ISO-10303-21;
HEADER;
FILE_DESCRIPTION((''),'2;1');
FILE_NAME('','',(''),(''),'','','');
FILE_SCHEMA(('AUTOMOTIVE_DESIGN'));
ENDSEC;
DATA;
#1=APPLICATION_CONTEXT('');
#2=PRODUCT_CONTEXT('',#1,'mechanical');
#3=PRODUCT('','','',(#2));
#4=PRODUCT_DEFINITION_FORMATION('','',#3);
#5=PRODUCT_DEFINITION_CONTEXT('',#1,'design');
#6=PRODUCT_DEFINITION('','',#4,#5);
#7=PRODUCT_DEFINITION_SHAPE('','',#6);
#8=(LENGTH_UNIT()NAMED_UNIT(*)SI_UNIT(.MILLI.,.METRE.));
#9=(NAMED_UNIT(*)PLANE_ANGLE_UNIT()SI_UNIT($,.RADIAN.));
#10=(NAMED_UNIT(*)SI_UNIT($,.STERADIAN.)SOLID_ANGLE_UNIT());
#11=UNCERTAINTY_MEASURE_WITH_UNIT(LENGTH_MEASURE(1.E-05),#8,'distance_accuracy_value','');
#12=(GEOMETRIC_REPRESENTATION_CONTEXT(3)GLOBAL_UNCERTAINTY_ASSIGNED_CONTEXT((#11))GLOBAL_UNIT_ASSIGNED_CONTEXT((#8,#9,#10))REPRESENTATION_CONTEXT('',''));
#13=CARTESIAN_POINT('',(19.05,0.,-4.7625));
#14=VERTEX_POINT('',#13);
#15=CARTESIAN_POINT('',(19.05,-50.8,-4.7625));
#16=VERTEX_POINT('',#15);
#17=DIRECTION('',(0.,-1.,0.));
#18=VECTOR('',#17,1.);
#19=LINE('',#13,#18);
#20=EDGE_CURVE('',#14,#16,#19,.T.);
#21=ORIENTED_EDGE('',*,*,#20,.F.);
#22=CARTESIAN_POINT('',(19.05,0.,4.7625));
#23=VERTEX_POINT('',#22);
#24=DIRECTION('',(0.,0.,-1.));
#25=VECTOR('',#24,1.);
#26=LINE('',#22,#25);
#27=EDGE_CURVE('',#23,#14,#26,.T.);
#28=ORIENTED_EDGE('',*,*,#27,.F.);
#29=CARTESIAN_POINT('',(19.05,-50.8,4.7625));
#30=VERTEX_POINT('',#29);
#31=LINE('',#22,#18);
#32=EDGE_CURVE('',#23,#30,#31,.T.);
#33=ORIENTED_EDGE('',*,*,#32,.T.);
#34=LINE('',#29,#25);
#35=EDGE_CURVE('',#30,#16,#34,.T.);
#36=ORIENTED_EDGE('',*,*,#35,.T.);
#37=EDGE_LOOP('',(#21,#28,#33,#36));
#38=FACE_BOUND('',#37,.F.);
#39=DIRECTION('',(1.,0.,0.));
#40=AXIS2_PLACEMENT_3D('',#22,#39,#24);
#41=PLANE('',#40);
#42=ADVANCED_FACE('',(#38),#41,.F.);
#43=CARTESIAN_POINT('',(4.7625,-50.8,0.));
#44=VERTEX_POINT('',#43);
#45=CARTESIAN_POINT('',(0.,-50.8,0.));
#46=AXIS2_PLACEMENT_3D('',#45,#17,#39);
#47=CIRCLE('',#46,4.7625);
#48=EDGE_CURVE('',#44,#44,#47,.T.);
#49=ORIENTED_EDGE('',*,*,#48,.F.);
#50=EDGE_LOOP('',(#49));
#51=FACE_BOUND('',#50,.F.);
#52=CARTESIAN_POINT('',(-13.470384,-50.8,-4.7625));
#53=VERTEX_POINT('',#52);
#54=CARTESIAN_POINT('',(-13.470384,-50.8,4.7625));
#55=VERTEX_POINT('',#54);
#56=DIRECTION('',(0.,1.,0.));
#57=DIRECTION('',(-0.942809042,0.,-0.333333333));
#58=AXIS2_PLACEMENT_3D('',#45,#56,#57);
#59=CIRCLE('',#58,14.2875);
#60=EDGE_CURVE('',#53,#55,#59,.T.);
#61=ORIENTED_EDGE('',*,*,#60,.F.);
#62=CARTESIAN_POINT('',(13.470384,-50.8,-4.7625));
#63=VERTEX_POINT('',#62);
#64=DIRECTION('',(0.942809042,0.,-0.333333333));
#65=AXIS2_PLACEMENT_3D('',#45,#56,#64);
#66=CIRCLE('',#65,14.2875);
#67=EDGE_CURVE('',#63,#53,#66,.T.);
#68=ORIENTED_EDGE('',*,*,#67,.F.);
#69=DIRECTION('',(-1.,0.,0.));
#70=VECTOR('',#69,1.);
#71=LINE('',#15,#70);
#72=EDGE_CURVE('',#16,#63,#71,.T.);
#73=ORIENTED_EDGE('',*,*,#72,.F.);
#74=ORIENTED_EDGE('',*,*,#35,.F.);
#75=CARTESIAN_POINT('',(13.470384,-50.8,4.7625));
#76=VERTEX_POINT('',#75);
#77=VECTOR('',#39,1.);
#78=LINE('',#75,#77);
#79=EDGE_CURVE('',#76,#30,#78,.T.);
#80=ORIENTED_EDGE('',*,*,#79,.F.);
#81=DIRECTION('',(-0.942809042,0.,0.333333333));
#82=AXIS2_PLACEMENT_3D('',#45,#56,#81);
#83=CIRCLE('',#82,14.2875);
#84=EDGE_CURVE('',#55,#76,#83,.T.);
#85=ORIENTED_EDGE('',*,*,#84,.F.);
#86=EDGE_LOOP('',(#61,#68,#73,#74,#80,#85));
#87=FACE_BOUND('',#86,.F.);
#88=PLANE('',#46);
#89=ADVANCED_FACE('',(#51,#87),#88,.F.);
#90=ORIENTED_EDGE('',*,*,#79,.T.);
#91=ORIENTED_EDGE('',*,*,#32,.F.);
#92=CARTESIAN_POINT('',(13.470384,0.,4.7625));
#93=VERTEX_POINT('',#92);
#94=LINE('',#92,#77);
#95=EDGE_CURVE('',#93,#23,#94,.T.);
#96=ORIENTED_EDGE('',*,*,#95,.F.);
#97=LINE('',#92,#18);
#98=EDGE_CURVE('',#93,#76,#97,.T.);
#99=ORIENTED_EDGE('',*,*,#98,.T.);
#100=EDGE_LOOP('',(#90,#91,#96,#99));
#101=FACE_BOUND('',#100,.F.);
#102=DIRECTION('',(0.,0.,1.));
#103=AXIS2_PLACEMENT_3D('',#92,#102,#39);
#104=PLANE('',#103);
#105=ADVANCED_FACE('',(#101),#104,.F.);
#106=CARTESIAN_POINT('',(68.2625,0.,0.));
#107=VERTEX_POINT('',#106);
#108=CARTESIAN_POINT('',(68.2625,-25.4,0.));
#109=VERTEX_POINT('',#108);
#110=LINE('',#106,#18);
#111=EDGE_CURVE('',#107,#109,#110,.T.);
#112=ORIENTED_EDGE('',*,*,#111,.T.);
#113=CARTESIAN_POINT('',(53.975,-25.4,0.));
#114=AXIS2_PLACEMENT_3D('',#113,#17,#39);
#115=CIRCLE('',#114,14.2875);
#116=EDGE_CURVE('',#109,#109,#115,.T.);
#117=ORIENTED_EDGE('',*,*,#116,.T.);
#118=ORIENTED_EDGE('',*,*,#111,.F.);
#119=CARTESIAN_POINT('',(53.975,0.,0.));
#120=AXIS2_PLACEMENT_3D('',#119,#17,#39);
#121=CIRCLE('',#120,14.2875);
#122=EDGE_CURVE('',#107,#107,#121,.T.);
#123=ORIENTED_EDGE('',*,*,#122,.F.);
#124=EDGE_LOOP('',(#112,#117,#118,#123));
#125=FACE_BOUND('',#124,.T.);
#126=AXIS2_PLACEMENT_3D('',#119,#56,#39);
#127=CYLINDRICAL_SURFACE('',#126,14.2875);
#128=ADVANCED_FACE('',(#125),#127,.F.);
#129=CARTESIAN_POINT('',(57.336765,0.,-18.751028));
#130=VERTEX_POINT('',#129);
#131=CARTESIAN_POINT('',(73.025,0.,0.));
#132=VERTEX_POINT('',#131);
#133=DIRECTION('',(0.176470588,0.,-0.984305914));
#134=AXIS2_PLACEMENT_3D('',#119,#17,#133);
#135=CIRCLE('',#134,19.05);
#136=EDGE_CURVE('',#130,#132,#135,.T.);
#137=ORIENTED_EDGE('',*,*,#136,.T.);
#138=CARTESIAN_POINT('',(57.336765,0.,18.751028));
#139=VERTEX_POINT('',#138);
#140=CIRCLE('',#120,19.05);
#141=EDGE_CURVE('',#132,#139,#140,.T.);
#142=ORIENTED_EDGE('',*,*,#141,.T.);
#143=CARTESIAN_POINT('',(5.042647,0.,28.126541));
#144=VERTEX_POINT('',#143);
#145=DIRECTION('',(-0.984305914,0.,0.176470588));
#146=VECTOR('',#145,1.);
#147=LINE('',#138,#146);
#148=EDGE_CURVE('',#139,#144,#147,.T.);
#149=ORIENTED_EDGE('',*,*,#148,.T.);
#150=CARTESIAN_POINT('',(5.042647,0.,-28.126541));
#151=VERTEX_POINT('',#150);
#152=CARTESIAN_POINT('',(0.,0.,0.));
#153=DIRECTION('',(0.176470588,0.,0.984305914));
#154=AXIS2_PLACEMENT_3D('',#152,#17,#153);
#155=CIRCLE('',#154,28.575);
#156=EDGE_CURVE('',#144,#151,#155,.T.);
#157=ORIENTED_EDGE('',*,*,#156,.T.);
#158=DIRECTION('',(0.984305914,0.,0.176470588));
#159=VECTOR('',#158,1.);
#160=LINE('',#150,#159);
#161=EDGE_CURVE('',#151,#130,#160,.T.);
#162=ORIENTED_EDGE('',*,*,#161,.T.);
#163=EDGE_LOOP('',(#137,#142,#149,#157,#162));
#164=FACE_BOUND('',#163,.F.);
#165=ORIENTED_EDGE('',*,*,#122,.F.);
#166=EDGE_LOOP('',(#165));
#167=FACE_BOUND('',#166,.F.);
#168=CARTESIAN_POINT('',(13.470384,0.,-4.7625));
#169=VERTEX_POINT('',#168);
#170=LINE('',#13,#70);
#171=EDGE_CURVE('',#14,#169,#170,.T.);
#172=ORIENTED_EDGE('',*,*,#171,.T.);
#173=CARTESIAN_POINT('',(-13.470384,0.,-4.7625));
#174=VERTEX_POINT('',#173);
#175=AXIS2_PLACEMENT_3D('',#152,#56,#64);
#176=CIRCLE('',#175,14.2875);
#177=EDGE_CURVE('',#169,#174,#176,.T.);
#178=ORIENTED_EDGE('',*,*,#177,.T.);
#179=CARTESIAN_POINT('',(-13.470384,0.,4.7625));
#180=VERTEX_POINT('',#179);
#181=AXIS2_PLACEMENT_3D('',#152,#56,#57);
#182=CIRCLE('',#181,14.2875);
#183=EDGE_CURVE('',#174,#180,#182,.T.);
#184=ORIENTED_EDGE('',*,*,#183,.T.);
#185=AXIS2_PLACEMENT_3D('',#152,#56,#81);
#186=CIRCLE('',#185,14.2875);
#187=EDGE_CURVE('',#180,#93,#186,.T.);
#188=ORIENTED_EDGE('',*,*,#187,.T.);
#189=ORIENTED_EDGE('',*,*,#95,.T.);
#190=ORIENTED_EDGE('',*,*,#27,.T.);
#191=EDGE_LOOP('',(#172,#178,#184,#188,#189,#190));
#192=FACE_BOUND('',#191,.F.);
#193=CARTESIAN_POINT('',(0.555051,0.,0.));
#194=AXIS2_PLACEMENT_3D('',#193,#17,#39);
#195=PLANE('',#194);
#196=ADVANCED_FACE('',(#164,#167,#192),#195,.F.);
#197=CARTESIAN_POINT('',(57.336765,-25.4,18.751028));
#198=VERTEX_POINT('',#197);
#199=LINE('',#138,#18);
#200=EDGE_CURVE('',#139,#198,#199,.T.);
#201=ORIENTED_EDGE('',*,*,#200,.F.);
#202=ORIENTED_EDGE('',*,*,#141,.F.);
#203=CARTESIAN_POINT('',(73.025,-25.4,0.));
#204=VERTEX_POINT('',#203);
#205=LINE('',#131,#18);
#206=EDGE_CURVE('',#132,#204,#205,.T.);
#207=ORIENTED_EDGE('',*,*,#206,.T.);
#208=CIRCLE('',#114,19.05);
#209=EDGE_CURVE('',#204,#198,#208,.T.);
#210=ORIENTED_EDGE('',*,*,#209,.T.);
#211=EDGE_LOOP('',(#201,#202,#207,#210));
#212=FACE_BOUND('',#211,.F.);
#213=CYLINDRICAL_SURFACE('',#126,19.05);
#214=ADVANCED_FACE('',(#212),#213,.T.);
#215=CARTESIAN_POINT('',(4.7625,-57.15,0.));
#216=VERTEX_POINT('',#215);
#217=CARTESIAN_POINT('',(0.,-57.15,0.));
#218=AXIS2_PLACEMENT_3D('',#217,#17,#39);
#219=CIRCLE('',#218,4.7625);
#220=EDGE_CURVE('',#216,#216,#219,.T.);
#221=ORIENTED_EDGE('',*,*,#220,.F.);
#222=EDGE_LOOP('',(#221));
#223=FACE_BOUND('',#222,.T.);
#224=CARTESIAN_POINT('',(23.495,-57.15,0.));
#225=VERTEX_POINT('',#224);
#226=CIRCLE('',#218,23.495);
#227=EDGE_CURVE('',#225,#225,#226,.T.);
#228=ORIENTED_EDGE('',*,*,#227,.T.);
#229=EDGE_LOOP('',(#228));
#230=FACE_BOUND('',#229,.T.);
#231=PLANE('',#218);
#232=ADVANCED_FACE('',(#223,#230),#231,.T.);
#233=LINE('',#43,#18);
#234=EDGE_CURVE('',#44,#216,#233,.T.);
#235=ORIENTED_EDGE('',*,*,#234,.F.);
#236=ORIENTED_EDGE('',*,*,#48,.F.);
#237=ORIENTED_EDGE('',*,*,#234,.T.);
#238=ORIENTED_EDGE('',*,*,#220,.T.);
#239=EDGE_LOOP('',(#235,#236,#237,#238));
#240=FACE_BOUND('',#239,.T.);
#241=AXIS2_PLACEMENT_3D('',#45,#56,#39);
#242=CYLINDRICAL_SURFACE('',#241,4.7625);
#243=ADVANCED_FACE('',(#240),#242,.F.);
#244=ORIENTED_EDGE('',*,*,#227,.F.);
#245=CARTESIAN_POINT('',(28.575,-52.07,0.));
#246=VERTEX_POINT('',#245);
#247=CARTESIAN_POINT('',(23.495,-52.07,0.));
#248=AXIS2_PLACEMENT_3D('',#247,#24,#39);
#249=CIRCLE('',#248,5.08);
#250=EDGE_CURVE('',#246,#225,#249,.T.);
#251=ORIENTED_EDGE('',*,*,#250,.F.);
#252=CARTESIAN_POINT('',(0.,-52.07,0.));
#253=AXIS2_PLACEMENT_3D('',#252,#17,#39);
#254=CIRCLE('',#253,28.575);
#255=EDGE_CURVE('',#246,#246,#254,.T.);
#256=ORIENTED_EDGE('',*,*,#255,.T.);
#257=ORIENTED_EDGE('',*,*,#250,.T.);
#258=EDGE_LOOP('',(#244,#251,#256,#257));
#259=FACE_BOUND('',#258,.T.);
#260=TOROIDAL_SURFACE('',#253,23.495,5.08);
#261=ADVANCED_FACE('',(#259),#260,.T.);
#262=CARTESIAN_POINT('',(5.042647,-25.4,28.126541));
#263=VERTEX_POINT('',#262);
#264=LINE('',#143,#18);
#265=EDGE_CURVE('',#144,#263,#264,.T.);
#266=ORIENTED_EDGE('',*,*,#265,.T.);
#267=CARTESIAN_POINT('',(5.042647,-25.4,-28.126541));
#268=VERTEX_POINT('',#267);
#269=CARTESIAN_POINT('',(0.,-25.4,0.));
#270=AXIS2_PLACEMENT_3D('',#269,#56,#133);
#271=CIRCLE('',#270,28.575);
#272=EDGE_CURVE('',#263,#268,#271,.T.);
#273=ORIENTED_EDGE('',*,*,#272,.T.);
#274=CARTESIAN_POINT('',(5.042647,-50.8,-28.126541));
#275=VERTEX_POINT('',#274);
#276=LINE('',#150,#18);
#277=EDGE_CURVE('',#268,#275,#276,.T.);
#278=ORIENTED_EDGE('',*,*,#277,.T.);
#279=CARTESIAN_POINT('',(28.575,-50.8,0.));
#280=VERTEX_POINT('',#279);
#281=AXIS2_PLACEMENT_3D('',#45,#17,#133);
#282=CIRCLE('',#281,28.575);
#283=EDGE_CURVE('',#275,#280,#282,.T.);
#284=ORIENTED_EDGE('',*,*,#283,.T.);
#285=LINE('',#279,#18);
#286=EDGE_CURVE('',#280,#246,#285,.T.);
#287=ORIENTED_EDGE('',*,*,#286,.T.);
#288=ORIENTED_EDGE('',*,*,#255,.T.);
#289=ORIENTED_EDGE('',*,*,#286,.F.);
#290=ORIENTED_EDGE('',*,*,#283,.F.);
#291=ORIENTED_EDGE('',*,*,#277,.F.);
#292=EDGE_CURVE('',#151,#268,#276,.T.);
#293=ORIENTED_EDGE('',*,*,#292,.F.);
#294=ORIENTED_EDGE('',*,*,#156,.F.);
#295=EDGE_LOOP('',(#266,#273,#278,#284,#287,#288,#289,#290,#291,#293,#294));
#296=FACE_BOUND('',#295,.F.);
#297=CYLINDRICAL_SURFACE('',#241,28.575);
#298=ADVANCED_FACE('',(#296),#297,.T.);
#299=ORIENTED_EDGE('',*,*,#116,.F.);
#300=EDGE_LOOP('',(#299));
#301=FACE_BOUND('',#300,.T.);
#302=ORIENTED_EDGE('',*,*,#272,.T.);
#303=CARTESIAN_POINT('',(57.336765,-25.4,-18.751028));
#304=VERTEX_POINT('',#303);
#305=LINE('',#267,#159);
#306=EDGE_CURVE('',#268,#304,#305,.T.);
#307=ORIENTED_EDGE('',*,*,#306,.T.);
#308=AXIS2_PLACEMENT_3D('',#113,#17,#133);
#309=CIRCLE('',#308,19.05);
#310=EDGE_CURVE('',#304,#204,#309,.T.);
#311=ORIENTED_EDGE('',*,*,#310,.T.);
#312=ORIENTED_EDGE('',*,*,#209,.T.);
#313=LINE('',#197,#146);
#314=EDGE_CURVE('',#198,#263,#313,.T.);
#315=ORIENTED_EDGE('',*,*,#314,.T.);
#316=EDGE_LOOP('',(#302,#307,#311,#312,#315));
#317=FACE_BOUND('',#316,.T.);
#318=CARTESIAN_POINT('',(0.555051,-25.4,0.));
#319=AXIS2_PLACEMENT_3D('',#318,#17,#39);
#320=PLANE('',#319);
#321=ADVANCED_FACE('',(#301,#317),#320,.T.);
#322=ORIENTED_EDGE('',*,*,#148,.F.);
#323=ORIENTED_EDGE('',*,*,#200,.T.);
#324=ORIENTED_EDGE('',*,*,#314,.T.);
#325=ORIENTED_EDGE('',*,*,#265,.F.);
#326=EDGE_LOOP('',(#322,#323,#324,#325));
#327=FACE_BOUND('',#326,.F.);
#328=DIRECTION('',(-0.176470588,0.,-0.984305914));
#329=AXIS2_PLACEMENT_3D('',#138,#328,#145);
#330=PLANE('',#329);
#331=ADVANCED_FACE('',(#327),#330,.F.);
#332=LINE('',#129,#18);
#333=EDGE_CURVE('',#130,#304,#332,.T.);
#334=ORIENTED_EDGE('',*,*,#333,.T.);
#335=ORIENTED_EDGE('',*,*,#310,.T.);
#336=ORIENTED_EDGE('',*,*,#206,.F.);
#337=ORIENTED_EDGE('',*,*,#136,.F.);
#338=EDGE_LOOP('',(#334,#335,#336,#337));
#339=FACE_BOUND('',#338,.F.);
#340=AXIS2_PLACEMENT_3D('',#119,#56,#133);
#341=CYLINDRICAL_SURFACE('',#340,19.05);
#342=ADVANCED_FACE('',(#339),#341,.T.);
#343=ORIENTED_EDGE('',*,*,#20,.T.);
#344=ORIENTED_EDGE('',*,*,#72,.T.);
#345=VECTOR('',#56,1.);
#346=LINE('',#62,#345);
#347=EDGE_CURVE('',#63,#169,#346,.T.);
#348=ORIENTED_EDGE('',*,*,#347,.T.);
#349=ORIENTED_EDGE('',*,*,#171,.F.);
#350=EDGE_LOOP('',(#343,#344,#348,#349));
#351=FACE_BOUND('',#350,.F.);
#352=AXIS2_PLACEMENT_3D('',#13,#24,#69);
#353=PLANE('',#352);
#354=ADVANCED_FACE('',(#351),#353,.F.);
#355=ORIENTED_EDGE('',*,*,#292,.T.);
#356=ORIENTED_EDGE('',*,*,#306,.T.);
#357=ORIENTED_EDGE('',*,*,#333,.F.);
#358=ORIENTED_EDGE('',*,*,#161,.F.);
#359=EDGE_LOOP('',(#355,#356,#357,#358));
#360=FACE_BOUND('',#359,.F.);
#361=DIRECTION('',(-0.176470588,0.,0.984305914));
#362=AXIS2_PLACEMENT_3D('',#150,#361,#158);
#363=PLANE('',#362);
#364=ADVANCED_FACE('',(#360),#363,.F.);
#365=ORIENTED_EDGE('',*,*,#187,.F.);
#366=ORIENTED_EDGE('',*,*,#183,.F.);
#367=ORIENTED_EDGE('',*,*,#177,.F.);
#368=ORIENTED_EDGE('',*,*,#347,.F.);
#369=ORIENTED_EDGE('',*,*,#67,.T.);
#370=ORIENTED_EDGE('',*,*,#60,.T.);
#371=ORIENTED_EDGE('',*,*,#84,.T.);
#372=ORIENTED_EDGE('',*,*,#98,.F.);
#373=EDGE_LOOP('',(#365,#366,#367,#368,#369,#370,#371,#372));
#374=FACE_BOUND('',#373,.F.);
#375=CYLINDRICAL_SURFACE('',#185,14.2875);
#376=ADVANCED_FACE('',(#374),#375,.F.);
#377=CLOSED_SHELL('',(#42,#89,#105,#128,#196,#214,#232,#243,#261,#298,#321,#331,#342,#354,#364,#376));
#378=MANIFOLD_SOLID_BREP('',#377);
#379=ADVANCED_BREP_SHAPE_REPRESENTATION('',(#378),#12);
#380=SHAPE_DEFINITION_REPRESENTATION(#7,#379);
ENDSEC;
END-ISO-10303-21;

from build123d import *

# Parameters (mm, degrees)
F0_R     = 14.2875
F1_DEPTH = 25.4
F2_DEPTH = 50.8
F3_R     = 28.575
F3_R_2   = 4.7625
F4_DEPTH = 6.35
F5_R     = 5.08


with BuildPart() as f1:
    # F0 (on Front) → F1 (new body)
    with BuildSketch(Plane.XZ):
        with BuildLine():
            ThreePointArc((5.0426470588, -28.1265414802), (21.9160245563, -18.3362616868), (28.575, 0))
            ThreePointArc((28.575, 0), (21.9160245563, 18.3362616868), (5.0426470588, 28.1265414802))
            ThreePointArc((5.0426470588, 28.1265414802), (-28.575, 0), (5.0426470588, -28.1265414802))
        make_face()
        with BuildLine():
            ThreePointArc((-13.4703841816, 4.7625), (0, 14.2875), (13.4703841816, 4.7625))
            Line((13.4703841816, 4.7625), (19.05, 4.7625))
            Line((19.05, 4.7625), (19.05, -4.7625))
            Line((19.05, -4.7625), (13.4703841816, -4.7625))
            ThreePointArc((13.4703841816, -4.7625), (0, -14.2875), (-13.4703841816, -4.7625))
            Line((-13.4703841816, -4.7625), (-19.05, -4.7625))
            Line((-19.05, -4.7625), (-19.05, 4.7625))
            Line((-19.05, 4.7625), (-13.4703841816, 4.7625))
        make_face(mode=Mode.SUBTRACT)
        with BuildLine():
            ThreePointArc((5.0426470588, 28.1265414802), (21.9160245563, 18.3362616868), (28.575, 0))
            ThreePointArc((28.575, 0), (21.9160245563, -18.3362616868), (5.0426470588, -28.1265414802))
            Line((5.0426470588, -28.1265414802), (57.3367647059, -18.7510276535))
            ThreePointArc((57.3367647059, -18.7510276535), (34.925, 0), (57.3367647059, 18.7510276535))
            Line((57.3367647059, 18.7510276535), (5.0426470588, 28.1265414802))
        make_face()
        with BuildLine():
            ThreePointArc((73.025, 0), (68.5856830375, 12.2241744579), (57.3367647059, 18.7510276535))
            ThreePointArc((57.3367647059, 18.7510276535), (34.925, 0), (57.3367647059, -18.7510276535))
            ThreePointArc((57.3367647059, -18.7510276535), (68.5856830375, -12.2241744579), (73.025, 0))
        make_face()
        with Locations((53.975, 0)):
            Circle(F0_R, mode=Mode.SUBTRACT)
    extrude(amount=F1_DEPTH)

    # F0 (on Front) → F2 (join)
    with BuildSketch(Plane.XZ):
        with BuildLine():
            ThreePointArc((5.0426470588, -28.1265414802), (21.9160245563, -18.3362616868), (28.575, 0))
            ThreePointArc((28.575, 0), (21.9160245563, 18.3362616868), (5.0426470588, 28.1265414802))
            ThreePointArc((5.0426470588, 28.1265414802), (-28.575, 0), (5.0426470588, -28.1265414802))
        make_face()
        with BuildLine():
            ThreePointArc((-13.4703841816, 4.7625), (0, 14.2875), (13.4703841816, 4.7625))
            Line((13.4703841816, 4.7625), (19.05, 4.7625))
            Line((19.05, 4.7625), (19.05, -4.7625))
            Line((19.05, -4.7625), (13.4703841816, -4.7625))
            ThreePointArc((13.4703841816, -4.7625), (0, -14.2875), (-13.4703841816, -4.7625))
            Line((-13.4703841816, -4.7625), (-19.05, -4.7625))
            Line((-19.05, -4.7625), (-19.05, 4.7625))
            Line((-19.05, 4.7625), (-13.4703841816, 4.7625))
        make_face(mode=Mode.SUBTRACT)
        with BuildLine():
            ThreePointArc((-13.4703841816, -4.7625), (-14.2875, 0), (-13.4703841816, 4.7625))
            Line((-13.4703841816, 4.7625), (-19.05, 4.7625))
            Line((-19.05, 4.7625), (-19.05, -4.7625))
            Line((-19.05, -4.7625), (-13.4703841816, -4.7625))
        make_face()
    extrude(amount=F2_DEPTH)

    # F3 (on face) → F4 (join)
    with BuildSketch(Plane.XZ.offset(50.8)):
        Circle(F3_R)
        Circle(F3_R_2, mode=Mode.SUBTRACT)
    extrude(amount=F4_DEPTH)

    # F5
    f5_edges = [f1.edges().sort_by_distance(p)[0] for p in [
        (-28.575, -57.15, 0),
    ]]
    fillet(f5_edges, radius=F5_R)


solid = f1.part
